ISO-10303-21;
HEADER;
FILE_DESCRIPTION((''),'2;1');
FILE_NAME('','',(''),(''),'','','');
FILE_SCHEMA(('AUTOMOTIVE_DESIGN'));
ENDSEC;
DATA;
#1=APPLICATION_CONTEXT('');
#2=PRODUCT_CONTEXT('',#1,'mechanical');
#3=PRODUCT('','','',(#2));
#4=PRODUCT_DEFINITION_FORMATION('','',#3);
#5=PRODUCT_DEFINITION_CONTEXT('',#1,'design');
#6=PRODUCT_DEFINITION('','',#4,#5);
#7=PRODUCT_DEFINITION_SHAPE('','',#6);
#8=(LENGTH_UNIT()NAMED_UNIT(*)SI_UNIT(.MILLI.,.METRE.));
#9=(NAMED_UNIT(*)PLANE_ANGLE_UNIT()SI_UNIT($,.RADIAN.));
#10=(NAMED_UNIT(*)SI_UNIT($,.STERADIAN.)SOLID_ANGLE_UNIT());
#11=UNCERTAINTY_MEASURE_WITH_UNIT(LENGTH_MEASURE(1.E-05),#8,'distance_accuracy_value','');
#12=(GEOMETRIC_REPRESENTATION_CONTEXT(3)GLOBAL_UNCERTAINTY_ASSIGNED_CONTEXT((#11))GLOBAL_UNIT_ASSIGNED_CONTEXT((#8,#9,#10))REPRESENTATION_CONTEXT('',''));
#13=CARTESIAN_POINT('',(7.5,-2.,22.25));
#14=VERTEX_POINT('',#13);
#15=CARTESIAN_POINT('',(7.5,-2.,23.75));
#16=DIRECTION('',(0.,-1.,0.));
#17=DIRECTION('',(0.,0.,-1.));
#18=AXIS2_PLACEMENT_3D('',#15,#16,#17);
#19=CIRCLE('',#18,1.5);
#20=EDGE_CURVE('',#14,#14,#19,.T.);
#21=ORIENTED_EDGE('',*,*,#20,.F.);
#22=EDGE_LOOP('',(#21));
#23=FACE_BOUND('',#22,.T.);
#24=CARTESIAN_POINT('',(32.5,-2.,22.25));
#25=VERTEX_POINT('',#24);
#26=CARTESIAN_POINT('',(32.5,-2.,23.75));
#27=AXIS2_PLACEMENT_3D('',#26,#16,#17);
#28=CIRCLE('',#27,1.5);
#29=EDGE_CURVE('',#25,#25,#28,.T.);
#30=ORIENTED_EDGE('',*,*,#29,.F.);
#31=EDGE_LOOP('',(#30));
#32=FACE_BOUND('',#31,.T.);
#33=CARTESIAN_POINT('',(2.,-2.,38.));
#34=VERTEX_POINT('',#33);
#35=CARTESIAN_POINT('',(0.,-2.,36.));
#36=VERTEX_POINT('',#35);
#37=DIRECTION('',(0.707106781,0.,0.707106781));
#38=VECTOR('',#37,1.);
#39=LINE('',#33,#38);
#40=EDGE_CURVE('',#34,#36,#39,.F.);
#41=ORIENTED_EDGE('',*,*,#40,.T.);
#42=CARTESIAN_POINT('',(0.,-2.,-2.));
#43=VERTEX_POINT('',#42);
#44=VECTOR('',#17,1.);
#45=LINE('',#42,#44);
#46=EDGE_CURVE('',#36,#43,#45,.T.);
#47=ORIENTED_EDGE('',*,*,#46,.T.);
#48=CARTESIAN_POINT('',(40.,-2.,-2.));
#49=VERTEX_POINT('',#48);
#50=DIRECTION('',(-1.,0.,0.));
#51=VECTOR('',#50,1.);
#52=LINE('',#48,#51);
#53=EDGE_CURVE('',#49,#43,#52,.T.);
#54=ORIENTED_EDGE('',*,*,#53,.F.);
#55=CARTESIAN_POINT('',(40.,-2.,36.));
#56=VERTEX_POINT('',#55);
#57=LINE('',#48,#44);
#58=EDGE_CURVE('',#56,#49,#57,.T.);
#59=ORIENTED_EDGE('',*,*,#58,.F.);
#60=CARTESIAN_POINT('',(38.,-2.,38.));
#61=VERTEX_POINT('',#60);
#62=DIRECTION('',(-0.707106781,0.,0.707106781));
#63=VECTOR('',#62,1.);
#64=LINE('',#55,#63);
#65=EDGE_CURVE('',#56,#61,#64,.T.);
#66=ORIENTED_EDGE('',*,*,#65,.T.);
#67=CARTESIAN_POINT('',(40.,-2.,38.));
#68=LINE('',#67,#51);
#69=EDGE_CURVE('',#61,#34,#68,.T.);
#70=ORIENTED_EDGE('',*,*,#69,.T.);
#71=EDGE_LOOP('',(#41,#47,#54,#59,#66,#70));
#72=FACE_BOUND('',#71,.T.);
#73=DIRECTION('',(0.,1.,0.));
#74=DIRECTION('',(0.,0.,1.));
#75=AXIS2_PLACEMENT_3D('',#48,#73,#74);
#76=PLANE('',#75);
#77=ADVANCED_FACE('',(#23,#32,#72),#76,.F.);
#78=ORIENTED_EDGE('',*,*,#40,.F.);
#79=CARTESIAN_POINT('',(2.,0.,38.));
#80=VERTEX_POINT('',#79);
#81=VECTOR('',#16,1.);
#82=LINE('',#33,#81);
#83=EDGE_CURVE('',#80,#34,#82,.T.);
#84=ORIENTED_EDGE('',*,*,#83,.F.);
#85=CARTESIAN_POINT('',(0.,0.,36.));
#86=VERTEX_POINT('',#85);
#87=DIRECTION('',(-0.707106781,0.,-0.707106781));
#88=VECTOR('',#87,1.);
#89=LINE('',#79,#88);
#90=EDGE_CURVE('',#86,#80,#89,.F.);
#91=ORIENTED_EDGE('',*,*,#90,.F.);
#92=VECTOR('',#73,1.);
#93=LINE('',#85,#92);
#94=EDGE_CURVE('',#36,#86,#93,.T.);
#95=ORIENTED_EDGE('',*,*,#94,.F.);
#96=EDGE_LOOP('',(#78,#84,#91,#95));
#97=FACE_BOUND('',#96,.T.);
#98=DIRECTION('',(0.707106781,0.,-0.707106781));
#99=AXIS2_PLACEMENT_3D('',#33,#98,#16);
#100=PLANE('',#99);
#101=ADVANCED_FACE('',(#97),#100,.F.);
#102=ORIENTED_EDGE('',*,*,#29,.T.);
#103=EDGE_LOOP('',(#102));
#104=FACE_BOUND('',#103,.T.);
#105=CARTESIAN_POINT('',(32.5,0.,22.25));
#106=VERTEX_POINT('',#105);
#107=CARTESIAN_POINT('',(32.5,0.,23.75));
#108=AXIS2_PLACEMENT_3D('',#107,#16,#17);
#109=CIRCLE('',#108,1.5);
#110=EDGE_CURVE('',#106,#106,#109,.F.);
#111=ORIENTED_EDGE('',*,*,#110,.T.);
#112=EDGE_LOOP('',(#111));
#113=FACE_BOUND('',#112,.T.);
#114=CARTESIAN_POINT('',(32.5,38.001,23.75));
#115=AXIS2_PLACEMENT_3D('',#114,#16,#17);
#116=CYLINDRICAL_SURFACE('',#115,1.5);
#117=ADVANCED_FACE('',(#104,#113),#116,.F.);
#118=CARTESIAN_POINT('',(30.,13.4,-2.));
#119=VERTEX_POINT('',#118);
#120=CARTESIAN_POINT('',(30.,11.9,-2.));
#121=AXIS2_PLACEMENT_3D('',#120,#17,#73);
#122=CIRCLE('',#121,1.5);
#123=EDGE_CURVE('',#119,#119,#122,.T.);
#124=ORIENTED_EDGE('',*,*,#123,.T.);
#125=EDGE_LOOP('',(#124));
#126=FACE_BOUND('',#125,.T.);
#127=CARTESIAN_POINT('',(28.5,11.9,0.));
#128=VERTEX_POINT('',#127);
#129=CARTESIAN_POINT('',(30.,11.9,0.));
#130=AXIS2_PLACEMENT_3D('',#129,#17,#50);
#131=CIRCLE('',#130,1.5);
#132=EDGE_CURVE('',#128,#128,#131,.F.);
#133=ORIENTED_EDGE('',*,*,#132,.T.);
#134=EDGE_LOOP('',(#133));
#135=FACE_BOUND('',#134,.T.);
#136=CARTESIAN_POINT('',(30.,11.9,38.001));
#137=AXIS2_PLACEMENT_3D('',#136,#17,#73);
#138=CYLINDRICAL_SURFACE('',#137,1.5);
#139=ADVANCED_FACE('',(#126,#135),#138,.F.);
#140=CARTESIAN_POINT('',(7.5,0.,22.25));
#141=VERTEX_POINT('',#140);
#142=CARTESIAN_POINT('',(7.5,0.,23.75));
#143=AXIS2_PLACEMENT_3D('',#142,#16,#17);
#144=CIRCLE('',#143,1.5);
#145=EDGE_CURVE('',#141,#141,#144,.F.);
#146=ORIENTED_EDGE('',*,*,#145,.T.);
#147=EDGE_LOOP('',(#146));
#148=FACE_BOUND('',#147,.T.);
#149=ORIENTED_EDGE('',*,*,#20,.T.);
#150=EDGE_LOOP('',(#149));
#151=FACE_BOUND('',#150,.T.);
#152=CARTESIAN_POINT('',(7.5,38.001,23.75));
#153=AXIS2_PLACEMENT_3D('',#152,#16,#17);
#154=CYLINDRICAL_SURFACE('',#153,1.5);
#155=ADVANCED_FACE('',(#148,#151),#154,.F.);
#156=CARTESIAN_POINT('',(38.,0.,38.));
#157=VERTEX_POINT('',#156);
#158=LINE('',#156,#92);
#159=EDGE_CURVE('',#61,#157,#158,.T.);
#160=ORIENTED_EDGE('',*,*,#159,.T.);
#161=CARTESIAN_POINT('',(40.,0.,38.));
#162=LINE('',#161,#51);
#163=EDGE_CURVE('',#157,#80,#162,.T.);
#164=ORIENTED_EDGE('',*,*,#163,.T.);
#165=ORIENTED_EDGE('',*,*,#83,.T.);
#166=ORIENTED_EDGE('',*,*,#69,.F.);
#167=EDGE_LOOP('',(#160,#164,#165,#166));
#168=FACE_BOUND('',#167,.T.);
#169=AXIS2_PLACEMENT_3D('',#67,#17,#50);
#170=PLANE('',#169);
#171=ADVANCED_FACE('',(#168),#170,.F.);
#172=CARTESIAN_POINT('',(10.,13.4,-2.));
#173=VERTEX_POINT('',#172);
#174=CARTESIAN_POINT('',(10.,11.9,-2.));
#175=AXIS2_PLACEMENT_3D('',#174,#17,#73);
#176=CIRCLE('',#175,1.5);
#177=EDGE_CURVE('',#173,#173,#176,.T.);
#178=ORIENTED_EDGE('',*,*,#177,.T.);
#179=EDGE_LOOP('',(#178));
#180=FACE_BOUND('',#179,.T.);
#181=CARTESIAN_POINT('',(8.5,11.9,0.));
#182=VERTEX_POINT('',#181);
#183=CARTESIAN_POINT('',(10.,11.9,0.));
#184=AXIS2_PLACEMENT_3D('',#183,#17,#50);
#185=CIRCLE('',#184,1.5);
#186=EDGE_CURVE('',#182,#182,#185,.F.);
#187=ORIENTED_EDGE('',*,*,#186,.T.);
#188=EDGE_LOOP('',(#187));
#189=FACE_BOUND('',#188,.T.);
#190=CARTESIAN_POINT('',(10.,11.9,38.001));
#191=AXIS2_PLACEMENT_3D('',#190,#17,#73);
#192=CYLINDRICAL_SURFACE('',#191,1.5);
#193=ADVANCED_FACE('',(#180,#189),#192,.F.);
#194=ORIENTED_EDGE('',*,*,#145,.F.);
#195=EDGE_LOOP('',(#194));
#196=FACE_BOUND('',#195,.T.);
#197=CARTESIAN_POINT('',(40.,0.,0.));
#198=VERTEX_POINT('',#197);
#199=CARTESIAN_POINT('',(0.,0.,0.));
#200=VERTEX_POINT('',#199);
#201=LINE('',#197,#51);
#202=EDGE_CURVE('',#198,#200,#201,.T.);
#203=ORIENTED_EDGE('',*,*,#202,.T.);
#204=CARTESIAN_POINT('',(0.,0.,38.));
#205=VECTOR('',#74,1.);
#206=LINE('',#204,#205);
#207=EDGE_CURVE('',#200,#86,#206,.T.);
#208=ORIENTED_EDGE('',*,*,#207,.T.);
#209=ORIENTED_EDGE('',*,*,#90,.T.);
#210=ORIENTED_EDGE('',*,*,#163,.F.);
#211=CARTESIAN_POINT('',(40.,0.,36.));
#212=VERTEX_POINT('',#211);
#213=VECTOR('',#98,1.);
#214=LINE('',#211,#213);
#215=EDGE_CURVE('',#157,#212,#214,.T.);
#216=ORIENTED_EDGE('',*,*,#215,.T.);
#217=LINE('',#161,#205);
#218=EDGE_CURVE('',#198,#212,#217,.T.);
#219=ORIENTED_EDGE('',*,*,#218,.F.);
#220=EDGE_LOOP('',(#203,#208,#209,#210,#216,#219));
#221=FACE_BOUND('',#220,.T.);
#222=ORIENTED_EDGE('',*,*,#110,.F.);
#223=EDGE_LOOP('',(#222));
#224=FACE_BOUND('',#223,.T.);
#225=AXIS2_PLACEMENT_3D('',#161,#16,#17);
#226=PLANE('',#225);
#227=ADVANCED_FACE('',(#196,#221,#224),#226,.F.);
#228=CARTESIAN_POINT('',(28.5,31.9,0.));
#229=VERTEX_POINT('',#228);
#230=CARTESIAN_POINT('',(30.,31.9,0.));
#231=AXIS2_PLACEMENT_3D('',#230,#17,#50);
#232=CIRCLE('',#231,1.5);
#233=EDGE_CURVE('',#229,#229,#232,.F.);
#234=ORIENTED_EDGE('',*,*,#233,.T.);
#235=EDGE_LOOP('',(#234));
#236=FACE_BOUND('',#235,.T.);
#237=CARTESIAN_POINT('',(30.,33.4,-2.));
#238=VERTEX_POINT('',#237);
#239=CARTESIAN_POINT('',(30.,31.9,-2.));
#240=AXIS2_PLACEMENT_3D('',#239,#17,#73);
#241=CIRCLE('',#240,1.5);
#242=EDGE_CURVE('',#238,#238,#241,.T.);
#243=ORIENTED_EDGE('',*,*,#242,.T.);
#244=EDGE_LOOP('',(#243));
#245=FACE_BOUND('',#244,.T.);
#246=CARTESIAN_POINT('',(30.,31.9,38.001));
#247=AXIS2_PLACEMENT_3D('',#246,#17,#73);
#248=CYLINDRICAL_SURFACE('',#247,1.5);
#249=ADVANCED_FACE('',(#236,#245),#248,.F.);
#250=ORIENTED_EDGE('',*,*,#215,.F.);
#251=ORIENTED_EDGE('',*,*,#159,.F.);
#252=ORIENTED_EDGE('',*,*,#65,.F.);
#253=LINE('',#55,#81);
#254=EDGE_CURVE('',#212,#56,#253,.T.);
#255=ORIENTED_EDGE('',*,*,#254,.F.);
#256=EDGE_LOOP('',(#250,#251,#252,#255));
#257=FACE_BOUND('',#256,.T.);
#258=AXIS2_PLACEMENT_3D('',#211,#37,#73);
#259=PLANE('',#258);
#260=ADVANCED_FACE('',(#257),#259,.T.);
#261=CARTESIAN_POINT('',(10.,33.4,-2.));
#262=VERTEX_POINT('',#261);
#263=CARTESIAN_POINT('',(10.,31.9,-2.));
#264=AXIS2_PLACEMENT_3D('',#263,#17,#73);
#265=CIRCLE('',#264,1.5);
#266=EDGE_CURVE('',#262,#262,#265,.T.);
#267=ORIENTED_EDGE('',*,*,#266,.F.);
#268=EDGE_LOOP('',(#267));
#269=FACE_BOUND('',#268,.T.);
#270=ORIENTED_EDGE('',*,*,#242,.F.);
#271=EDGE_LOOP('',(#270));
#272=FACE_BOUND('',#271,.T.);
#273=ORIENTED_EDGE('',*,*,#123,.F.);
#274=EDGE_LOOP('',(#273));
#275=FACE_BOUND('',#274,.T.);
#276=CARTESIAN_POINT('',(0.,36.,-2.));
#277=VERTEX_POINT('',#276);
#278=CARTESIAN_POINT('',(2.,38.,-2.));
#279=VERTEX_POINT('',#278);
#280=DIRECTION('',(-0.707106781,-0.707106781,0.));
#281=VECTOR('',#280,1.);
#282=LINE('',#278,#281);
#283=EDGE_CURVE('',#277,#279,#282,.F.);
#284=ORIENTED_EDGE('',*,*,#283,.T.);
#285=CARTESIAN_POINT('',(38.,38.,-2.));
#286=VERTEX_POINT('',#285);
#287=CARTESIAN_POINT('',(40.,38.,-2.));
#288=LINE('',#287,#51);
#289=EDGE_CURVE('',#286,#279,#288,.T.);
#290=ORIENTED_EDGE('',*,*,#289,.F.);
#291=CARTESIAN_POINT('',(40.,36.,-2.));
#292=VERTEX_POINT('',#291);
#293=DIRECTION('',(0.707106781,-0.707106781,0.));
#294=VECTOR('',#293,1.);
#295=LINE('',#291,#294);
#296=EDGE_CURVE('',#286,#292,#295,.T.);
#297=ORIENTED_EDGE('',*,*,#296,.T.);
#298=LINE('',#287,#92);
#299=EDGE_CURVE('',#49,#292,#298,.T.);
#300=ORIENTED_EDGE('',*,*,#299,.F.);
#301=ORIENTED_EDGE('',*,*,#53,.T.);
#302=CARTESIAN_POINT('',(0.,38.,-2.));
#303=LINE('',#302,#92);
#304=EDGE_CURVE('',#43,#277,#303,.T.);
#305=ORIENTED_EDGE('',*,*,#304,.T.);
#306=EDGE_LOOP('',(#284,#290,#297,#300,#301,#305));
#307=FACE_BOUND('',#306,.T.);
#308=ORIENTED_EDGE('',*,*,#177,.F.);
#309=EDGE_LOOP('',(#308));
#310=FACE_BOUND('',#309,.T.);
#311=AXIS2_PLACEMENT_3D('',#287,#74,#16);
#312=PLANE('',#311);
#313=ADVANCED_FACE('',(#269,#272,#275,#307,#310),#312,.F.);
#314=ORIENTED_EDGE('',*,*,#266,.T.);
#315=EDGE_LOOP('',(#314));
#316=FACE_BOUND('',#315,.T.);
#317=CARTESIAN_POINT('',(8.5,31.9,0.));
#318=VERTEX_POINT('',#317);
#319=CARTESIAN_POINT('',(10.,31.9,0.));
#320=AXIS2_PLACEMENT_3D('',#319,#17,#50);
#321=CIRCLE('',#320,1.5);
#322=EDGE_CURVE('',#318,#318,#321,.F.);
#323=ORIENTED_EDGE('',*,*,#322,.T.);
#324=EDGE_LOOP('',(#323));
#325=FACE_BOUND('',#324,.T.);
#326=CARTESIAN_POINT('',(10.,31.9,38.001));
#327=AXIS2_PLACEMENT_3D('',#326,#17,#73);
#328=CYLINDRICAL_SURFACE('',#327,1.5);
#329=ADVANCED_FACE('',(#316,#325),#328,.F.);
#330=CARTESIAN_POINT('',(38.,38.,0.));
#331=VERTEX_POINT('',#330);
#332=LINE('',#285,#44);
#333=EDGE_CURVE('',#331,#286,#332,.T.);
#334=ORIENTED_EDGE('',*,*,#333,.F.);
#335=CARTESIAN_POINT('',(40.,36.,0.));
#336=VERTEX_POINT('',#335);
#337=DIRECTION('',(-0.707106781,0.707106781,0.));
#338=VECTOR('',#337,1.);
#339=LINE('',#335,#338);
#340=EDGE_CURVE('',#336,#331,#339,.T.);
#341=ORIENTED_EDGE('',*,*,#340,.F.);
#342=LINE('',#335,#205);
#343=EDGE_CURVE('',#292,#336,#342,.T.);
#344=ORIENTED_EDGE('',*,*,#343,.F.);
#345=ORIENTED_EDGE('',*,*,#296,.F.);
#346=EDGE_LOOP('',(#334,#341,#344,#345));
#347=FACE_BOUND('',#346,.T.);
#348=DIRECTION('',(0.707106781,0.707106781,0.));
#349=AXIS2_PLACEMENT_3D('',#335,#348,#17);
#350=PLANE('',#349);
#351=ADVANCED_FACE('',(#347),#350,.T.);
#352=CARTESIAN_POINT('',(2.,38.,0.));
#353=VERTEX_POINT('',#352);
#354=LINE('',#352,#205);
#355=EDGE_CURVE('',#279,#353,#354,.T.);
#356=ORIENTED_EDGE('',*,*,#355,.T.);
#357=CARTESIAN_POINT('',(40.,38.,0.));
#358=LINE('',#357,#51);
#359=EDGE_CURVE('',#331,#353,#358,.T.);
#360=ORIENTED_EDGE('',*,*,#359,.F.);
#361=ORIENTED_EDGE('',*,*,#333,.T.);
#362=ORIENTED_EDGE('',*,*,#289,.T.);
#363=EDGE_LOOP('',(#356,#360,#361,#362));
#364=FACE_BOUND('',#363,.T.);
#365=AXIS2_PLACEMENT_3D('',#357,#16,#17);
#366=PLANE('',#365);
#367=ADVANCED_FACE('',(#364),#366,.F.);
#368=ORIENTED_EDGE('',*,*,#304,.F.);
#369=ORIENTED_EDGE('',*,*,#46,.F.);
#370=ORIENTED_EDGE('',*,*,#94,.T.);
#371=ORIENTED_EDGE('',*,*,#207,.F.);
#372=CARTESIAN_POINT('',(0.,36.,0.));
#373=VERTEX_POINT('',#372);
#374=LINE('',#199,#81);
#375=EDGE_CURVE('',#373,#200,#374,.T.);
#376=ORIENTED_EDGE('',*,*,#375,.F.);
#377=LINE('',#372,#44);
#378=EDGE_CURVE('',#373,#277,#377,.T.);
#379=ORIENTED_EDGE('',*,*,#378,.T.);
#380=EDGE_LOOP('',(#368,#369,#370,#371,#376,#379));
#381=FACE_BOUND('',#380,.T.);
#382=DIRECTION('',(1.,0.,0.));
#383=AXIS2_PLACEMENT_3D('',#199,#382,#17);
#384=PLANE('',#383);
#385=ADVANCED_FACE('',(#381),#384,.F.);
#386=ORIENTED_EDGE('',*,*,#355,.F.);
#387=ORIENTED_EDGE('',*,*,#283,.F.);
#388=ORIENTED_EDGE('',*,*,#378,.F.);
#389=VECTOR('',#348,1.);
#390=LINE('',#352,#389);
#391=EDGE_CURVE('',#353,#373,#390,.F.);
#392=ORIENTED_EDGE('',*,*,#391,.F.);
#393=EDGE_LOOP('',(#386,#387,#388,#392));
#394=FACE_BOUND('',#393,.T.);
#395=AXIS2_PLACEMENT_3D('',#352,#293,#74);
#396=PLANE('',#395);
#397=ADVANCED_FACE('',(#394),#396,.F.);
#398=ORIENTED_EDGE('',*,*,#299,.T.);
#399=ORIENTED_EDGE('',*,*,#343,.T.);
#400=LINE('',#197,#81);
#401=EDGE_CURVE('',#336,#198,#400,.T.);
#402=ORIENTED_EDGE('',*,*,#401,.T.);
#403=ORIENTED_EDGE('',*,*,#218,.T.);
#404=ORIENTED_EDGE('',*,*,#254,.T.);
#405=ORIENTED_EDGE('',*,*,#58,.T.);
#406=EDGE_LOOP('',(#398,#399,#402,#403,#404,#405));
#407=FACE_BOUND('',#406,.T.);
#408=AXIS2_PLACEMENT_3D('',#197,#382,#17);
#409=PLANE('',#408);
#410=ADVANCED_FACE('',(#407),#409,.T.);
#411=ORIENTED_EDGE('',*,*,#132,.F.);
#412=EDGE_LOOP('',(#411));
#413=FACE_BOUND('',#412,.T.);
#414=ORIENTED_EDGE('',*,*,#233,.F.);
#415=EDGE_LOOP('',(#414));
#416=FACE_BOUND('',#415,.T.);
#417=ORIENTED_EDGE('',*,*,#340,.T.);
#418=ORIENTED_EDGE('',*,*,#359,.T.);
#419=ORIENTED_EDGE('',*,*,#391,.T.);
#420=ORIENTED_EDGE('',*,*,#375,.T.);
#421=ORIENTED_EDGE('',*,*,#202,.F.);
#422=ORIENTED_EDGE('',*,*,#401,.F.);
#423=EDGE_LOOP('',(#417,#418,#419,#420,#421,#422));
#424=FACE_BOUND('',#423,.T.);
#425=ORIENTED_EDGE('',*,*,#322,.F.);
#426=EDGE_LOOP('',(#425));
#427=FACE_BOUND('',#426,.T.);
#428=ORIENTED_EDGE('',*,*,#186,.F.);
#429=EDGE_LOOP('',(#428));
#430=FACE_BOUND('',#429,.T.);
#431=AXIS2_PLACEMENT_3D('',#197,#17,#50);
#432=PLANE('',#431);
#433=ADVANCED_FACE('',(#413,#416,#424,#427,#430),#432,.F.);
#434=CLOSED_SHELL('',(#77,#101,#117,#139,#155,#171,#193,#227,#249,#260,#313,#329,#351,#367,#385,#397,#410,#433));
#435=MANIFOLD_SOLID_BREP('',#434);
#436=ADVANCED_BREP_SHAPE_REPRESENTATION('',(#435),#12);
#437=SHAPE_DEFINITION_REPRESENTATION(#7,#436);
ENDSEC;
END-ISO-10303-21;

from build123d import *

# Parameters (mm, degrees)
EXTRUDE1_DEPTH = 40
EXTRUDE2_REACH = 42
SKETCH2_R      = 1.5
EXTRUDE3_REACH = 42
SKETCH3_R      = 1.5
CHAMFER1_SIZE  = 2


with BuildPart() as part:
    # Sketch1 → Extrude1 (new body)
    with BuildSketch(Plane(origin=(0, 0, 0), x_dir=(0, 0, -1), z_dir=(1, 0, 0))):
        Polygon((0, 0), (0, 38), (2, 38), (2, -2), (-38, -2), (-38, 0), align=None)
    extrude(amount=EXTRUDE1_DEPTH)

    # Sketch2 → Extrude2 (cut, up to next)
    with BuildSketch(Plane(origin=(0, -2, 0), x_dir=(-1, 0, 0), z_dir=(0, -1, 0)), mode=Mode.PRIVATE) as extrude2_sk1:
        with Locations((-32.5, -23.75)):
            Circle(SKETCH2_R)
    extrude2_tool1 = extrude(extrude2_sk1.sketch, amount=-EXTRUDE2_REACH, mode=Mode.PRIVATE) & part.part
    add(extrude2_tool1.solids().sort_by_distance((32.5, -2, 23.75))[0], mode=Mode.SUBTRACT)
    # Sketch2 → Extrude2 (cut, up to next)
    with BuildSketch(Plane(origin=(0, -2, 0), x_dir=(-1, 0, 0), z_dir=(0, -1, 0)), mode=Mode.PRIVATE) as extrude2_sk2:
        with Locations((-7.5, -23.75)):
            Circle(SKETCH2_R)
    extrude2_tool2 = extrude(extrude2_sk2.sketch, amount=-EXTRUDE2_REACH, mode=Mode.PRIVATE) & part.part
    add(extrude2_tool2.solids().sort_by_distance((7.5, -2, 23.75))[0], mode=Mode.SUBTRACT)

    # Sketch3 → Extrude3 (cut, up to next)
    with BuildSketch(Plane(origin=(0, 0, -2), x_dir=(-1, 0, 0), z_dir=(0, 0, -1)), mode=Mode.PRIVATE) as extrude3_sk1:
        with Locations((-10, 31.9)):
            Circle(SKETCH3_R)
    extrude3_tool1 = extrude(extrude3_sk1.sketch, amount=-EXTRUDE3_REACH, mode=Mode.PRIVATE) & part.part
    add(extrude3_tool1.solids().sort_by_distance((10, 31.9, -2))[0], mode=Mode.SUBTRACT)
    # Sketch3 → Extrude3 (cut, up to next)
    with BuildSketch(Plane(origin=(0, 0, -2), x_dir=(-1, 0, 0), z_dir=(0, 0, -1)), mode=Mode.PRIVATE) as extrude3_sk2:
        with Locations((-30, 31.9)):
            Circle(SKETCH3_R)
    extrude3_tool2 = extrude(extrude3_sk2.sketch, amount=-EXTRUDE3_REACH, mode=Mode.PRIVATE) & part.part
    add(extrude3_tool2.solids().sort_by_distance((30, 31.9, -2))[0], mode=Mode.SUBTRACT)
    # Sketch3 → Extrude3 (cut, up to next)
    with BuildSketch(Plane(origin=(0, 0, -2), x_dir=(-1, 0, 0), z_dir=(0, 0, -1)), mode=Mode.PRIVATE) as extrude3_sk3:
        with Locations((-30, 11.9)):
            Circle(SKETCH3_R)
    extrude3_tool3 = extrude(extrude3_sk3.sketch, amount=-EXTRUDE3_REACH, mode=Mode.PRIVATE) & part.part
    add(extrude3_tool3.solids().sort_by_distance((30, 11.9, -2))[0], mode=Mode.SUBTRACT)
    # Sketch3 → Extrude3 (cut, up to next)
    with BuildSketch(Plane(origin=(0, 0, -2), x_dir=(-1, 0, 0), z_dir=(0, 0, -1)), mode=Mode.PRIVATE) as extrude3_sk4:
        with Locations((-10, 11.9)):
            Circle(SKETCH3_R)
    extrude3_tool4 = extrude(extrude3_sk4.sketch, amount=-EXTRUDE3_REACH, mode=Mode.PRIVATE) & part.part
    add(extrude3_tool4.solids().sort_by_distance((10, 11.9, -2))[0], mode=Mode.SUBTRACT)

    # Chamfer1
    chamfer1_edges = [part.edges().sort_by_distance(p)[0] for p in [
        (40, 38, -1),
        (0, 38, -1),
        (40, -1, 38),
        (0, -1, 38),
    ]]
    chamfer(chamfer1_edges, length=CHAMFER1_SIZE)


solid = part.part
